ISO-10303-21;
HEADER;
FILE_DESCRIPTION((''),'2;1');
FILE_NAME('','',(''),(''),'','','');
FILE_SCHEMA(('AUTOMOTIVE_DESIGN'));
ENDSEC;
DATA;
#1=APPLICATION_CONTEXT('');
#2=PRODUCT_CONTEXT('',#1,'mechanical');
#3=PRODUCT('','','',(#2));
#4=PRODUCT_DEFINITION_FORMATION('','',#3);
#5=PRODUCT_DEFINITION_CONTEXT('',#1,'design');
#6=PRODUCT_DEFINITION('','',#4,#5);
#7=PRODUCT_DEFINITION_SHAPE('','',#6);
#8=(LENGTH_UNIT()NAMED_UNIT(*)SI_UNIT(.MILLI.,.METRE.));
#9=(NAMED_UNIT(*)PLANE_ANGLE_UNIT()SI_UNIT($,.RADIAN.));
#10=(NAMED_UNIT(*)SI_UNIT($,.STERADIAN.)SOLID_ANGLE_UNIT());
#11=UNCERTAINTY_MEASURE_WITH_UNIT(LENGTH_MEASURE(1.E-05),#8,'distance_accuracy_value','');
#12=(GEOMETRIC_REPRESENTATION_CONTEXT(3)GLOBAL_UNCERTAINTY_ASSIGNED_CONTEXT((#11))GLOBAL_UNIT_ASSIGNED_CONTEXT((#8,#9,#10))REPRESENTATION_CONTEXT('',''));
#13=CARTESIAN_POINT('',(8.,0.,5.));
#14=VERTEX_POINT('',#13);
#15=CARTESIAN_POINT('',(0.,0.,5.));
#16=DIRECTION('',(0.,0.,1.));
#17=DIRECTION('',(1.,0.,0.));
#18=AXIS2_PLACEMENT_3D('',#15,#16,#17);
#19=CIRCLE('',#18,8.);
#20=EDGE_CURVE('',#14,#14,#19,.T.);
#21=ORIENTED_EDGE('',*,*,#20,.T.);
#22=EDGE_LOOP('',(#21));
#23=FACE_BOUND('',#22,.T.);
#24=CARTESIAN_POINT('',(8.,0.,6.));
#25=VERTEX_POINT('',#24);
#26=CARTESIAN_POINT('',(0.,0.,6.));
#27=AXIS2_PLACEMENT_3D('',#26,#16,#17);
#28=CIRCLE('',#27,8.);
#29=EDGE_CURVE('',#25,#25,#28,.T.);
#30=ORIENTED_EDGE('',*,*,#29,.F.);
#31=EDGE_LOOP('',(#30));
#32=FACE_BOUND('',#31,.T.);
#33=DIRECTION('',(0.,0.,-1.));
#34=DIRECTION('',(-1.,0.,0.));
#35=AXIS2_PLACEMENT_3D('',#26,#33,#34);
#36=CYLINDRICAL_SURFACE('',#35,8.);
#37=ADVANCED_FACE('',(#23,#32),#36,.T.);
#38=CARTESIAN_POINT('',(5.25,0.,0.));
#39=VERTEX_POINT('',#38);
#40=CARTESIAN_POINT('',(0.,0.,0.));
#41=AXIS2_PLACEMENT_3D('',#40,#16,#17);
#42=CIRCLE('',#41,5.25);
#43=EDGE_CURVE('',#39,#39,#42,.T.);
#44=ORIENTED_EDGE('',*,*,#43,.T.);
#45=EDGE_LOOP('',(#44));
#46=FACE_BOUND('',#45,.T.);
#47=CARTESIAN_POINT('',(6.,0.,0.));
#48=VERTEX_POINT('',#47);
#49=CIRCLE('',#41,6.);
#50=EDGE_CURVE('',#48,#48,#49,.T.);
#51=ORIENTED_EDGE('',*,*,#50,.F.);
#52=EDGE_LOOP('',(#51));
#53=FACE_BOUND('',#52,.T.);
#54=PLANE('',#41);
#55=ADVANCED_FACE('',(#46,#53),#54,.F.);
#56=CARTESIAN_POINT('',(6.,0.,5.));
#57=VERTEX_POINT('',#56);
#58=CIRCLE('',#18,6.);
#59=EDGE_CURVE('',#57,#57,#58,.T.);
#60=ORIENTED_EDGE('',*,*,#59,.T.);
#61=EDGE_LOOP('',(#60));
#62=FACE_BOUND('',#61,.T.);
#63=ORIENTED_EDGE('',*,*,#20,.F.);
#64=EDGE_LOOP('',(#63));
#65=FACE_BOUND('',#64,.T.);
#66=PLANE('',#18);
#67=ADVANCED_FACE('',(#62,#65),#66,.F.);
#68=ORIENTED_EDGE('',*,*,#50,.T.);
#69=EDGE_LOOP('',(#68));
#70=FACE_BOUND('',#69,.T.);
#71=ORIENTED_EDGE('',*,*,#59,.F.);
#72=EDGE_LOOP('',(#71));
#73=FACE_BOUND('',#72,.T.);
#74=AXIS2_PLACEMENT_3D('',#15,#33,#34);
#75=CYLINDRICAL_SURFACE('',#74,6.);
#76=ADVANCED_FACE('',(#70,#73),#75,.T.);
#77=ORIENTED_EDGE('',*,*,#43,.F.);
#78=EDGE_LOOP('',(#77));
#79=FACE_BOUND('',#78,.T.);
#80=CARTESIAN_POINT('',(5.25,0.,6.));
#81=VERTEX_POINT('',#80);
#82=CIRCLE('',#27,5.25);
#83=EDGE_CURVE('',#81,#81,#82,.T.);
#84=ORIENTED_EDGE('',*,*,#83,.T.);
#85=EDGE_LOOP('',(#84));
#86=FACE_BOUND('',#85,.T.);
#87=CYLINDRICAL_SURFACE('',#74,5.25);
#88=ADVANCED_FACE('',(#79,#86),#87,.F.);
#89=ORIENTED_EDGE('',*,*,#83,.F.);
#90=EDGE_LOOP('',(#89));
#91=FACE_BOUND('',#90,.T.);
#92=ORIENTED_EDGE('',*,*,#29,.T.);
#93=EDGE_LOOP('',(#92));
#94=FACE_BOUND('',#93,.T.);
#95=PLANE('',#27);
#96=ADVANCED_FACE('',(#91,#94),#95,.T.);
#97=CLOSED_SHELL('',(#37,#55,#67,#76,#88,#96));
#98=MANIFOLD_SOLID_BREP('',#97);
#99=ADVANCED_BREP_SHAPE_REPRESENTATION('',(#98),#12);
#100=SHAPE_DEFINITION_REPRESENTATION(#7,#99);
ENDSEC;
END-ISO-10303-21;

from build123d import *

# Parameters (mm, degrees)
SKETCH_1_R      = 6
SKETCH_1_R_2    = 5.25
EXTRUDE_1_DEPTH = 5
SKETCH_2_R      = 8
SKETCH_2_R_2    = 5.25
EXTRUDE_2_DEPTH = 1


with BuildPart() as part:
    # 草图1 → 凸台-拉伸1 (new body)
    with BuildSketch(Plane.XY):
        Circle(SKETCH_1_R)
        Circle(SKETCH_1_R_2, mode=Mode.SUBTRACT)
    extrude(amount=EXTRUDE_1_DEPTH)

    # 草图2 → 凸台-拉伸2 (add)
    with BuildSketch(Plane.XY.offset(5)):
        Circle(SKETCH_2_R)
        Circle(SKETCH_2_R_2, mode=Mode.SUBTRACT)
    extrude(amount=EXTRUDE_2_DEPTH)


solid = part.part
